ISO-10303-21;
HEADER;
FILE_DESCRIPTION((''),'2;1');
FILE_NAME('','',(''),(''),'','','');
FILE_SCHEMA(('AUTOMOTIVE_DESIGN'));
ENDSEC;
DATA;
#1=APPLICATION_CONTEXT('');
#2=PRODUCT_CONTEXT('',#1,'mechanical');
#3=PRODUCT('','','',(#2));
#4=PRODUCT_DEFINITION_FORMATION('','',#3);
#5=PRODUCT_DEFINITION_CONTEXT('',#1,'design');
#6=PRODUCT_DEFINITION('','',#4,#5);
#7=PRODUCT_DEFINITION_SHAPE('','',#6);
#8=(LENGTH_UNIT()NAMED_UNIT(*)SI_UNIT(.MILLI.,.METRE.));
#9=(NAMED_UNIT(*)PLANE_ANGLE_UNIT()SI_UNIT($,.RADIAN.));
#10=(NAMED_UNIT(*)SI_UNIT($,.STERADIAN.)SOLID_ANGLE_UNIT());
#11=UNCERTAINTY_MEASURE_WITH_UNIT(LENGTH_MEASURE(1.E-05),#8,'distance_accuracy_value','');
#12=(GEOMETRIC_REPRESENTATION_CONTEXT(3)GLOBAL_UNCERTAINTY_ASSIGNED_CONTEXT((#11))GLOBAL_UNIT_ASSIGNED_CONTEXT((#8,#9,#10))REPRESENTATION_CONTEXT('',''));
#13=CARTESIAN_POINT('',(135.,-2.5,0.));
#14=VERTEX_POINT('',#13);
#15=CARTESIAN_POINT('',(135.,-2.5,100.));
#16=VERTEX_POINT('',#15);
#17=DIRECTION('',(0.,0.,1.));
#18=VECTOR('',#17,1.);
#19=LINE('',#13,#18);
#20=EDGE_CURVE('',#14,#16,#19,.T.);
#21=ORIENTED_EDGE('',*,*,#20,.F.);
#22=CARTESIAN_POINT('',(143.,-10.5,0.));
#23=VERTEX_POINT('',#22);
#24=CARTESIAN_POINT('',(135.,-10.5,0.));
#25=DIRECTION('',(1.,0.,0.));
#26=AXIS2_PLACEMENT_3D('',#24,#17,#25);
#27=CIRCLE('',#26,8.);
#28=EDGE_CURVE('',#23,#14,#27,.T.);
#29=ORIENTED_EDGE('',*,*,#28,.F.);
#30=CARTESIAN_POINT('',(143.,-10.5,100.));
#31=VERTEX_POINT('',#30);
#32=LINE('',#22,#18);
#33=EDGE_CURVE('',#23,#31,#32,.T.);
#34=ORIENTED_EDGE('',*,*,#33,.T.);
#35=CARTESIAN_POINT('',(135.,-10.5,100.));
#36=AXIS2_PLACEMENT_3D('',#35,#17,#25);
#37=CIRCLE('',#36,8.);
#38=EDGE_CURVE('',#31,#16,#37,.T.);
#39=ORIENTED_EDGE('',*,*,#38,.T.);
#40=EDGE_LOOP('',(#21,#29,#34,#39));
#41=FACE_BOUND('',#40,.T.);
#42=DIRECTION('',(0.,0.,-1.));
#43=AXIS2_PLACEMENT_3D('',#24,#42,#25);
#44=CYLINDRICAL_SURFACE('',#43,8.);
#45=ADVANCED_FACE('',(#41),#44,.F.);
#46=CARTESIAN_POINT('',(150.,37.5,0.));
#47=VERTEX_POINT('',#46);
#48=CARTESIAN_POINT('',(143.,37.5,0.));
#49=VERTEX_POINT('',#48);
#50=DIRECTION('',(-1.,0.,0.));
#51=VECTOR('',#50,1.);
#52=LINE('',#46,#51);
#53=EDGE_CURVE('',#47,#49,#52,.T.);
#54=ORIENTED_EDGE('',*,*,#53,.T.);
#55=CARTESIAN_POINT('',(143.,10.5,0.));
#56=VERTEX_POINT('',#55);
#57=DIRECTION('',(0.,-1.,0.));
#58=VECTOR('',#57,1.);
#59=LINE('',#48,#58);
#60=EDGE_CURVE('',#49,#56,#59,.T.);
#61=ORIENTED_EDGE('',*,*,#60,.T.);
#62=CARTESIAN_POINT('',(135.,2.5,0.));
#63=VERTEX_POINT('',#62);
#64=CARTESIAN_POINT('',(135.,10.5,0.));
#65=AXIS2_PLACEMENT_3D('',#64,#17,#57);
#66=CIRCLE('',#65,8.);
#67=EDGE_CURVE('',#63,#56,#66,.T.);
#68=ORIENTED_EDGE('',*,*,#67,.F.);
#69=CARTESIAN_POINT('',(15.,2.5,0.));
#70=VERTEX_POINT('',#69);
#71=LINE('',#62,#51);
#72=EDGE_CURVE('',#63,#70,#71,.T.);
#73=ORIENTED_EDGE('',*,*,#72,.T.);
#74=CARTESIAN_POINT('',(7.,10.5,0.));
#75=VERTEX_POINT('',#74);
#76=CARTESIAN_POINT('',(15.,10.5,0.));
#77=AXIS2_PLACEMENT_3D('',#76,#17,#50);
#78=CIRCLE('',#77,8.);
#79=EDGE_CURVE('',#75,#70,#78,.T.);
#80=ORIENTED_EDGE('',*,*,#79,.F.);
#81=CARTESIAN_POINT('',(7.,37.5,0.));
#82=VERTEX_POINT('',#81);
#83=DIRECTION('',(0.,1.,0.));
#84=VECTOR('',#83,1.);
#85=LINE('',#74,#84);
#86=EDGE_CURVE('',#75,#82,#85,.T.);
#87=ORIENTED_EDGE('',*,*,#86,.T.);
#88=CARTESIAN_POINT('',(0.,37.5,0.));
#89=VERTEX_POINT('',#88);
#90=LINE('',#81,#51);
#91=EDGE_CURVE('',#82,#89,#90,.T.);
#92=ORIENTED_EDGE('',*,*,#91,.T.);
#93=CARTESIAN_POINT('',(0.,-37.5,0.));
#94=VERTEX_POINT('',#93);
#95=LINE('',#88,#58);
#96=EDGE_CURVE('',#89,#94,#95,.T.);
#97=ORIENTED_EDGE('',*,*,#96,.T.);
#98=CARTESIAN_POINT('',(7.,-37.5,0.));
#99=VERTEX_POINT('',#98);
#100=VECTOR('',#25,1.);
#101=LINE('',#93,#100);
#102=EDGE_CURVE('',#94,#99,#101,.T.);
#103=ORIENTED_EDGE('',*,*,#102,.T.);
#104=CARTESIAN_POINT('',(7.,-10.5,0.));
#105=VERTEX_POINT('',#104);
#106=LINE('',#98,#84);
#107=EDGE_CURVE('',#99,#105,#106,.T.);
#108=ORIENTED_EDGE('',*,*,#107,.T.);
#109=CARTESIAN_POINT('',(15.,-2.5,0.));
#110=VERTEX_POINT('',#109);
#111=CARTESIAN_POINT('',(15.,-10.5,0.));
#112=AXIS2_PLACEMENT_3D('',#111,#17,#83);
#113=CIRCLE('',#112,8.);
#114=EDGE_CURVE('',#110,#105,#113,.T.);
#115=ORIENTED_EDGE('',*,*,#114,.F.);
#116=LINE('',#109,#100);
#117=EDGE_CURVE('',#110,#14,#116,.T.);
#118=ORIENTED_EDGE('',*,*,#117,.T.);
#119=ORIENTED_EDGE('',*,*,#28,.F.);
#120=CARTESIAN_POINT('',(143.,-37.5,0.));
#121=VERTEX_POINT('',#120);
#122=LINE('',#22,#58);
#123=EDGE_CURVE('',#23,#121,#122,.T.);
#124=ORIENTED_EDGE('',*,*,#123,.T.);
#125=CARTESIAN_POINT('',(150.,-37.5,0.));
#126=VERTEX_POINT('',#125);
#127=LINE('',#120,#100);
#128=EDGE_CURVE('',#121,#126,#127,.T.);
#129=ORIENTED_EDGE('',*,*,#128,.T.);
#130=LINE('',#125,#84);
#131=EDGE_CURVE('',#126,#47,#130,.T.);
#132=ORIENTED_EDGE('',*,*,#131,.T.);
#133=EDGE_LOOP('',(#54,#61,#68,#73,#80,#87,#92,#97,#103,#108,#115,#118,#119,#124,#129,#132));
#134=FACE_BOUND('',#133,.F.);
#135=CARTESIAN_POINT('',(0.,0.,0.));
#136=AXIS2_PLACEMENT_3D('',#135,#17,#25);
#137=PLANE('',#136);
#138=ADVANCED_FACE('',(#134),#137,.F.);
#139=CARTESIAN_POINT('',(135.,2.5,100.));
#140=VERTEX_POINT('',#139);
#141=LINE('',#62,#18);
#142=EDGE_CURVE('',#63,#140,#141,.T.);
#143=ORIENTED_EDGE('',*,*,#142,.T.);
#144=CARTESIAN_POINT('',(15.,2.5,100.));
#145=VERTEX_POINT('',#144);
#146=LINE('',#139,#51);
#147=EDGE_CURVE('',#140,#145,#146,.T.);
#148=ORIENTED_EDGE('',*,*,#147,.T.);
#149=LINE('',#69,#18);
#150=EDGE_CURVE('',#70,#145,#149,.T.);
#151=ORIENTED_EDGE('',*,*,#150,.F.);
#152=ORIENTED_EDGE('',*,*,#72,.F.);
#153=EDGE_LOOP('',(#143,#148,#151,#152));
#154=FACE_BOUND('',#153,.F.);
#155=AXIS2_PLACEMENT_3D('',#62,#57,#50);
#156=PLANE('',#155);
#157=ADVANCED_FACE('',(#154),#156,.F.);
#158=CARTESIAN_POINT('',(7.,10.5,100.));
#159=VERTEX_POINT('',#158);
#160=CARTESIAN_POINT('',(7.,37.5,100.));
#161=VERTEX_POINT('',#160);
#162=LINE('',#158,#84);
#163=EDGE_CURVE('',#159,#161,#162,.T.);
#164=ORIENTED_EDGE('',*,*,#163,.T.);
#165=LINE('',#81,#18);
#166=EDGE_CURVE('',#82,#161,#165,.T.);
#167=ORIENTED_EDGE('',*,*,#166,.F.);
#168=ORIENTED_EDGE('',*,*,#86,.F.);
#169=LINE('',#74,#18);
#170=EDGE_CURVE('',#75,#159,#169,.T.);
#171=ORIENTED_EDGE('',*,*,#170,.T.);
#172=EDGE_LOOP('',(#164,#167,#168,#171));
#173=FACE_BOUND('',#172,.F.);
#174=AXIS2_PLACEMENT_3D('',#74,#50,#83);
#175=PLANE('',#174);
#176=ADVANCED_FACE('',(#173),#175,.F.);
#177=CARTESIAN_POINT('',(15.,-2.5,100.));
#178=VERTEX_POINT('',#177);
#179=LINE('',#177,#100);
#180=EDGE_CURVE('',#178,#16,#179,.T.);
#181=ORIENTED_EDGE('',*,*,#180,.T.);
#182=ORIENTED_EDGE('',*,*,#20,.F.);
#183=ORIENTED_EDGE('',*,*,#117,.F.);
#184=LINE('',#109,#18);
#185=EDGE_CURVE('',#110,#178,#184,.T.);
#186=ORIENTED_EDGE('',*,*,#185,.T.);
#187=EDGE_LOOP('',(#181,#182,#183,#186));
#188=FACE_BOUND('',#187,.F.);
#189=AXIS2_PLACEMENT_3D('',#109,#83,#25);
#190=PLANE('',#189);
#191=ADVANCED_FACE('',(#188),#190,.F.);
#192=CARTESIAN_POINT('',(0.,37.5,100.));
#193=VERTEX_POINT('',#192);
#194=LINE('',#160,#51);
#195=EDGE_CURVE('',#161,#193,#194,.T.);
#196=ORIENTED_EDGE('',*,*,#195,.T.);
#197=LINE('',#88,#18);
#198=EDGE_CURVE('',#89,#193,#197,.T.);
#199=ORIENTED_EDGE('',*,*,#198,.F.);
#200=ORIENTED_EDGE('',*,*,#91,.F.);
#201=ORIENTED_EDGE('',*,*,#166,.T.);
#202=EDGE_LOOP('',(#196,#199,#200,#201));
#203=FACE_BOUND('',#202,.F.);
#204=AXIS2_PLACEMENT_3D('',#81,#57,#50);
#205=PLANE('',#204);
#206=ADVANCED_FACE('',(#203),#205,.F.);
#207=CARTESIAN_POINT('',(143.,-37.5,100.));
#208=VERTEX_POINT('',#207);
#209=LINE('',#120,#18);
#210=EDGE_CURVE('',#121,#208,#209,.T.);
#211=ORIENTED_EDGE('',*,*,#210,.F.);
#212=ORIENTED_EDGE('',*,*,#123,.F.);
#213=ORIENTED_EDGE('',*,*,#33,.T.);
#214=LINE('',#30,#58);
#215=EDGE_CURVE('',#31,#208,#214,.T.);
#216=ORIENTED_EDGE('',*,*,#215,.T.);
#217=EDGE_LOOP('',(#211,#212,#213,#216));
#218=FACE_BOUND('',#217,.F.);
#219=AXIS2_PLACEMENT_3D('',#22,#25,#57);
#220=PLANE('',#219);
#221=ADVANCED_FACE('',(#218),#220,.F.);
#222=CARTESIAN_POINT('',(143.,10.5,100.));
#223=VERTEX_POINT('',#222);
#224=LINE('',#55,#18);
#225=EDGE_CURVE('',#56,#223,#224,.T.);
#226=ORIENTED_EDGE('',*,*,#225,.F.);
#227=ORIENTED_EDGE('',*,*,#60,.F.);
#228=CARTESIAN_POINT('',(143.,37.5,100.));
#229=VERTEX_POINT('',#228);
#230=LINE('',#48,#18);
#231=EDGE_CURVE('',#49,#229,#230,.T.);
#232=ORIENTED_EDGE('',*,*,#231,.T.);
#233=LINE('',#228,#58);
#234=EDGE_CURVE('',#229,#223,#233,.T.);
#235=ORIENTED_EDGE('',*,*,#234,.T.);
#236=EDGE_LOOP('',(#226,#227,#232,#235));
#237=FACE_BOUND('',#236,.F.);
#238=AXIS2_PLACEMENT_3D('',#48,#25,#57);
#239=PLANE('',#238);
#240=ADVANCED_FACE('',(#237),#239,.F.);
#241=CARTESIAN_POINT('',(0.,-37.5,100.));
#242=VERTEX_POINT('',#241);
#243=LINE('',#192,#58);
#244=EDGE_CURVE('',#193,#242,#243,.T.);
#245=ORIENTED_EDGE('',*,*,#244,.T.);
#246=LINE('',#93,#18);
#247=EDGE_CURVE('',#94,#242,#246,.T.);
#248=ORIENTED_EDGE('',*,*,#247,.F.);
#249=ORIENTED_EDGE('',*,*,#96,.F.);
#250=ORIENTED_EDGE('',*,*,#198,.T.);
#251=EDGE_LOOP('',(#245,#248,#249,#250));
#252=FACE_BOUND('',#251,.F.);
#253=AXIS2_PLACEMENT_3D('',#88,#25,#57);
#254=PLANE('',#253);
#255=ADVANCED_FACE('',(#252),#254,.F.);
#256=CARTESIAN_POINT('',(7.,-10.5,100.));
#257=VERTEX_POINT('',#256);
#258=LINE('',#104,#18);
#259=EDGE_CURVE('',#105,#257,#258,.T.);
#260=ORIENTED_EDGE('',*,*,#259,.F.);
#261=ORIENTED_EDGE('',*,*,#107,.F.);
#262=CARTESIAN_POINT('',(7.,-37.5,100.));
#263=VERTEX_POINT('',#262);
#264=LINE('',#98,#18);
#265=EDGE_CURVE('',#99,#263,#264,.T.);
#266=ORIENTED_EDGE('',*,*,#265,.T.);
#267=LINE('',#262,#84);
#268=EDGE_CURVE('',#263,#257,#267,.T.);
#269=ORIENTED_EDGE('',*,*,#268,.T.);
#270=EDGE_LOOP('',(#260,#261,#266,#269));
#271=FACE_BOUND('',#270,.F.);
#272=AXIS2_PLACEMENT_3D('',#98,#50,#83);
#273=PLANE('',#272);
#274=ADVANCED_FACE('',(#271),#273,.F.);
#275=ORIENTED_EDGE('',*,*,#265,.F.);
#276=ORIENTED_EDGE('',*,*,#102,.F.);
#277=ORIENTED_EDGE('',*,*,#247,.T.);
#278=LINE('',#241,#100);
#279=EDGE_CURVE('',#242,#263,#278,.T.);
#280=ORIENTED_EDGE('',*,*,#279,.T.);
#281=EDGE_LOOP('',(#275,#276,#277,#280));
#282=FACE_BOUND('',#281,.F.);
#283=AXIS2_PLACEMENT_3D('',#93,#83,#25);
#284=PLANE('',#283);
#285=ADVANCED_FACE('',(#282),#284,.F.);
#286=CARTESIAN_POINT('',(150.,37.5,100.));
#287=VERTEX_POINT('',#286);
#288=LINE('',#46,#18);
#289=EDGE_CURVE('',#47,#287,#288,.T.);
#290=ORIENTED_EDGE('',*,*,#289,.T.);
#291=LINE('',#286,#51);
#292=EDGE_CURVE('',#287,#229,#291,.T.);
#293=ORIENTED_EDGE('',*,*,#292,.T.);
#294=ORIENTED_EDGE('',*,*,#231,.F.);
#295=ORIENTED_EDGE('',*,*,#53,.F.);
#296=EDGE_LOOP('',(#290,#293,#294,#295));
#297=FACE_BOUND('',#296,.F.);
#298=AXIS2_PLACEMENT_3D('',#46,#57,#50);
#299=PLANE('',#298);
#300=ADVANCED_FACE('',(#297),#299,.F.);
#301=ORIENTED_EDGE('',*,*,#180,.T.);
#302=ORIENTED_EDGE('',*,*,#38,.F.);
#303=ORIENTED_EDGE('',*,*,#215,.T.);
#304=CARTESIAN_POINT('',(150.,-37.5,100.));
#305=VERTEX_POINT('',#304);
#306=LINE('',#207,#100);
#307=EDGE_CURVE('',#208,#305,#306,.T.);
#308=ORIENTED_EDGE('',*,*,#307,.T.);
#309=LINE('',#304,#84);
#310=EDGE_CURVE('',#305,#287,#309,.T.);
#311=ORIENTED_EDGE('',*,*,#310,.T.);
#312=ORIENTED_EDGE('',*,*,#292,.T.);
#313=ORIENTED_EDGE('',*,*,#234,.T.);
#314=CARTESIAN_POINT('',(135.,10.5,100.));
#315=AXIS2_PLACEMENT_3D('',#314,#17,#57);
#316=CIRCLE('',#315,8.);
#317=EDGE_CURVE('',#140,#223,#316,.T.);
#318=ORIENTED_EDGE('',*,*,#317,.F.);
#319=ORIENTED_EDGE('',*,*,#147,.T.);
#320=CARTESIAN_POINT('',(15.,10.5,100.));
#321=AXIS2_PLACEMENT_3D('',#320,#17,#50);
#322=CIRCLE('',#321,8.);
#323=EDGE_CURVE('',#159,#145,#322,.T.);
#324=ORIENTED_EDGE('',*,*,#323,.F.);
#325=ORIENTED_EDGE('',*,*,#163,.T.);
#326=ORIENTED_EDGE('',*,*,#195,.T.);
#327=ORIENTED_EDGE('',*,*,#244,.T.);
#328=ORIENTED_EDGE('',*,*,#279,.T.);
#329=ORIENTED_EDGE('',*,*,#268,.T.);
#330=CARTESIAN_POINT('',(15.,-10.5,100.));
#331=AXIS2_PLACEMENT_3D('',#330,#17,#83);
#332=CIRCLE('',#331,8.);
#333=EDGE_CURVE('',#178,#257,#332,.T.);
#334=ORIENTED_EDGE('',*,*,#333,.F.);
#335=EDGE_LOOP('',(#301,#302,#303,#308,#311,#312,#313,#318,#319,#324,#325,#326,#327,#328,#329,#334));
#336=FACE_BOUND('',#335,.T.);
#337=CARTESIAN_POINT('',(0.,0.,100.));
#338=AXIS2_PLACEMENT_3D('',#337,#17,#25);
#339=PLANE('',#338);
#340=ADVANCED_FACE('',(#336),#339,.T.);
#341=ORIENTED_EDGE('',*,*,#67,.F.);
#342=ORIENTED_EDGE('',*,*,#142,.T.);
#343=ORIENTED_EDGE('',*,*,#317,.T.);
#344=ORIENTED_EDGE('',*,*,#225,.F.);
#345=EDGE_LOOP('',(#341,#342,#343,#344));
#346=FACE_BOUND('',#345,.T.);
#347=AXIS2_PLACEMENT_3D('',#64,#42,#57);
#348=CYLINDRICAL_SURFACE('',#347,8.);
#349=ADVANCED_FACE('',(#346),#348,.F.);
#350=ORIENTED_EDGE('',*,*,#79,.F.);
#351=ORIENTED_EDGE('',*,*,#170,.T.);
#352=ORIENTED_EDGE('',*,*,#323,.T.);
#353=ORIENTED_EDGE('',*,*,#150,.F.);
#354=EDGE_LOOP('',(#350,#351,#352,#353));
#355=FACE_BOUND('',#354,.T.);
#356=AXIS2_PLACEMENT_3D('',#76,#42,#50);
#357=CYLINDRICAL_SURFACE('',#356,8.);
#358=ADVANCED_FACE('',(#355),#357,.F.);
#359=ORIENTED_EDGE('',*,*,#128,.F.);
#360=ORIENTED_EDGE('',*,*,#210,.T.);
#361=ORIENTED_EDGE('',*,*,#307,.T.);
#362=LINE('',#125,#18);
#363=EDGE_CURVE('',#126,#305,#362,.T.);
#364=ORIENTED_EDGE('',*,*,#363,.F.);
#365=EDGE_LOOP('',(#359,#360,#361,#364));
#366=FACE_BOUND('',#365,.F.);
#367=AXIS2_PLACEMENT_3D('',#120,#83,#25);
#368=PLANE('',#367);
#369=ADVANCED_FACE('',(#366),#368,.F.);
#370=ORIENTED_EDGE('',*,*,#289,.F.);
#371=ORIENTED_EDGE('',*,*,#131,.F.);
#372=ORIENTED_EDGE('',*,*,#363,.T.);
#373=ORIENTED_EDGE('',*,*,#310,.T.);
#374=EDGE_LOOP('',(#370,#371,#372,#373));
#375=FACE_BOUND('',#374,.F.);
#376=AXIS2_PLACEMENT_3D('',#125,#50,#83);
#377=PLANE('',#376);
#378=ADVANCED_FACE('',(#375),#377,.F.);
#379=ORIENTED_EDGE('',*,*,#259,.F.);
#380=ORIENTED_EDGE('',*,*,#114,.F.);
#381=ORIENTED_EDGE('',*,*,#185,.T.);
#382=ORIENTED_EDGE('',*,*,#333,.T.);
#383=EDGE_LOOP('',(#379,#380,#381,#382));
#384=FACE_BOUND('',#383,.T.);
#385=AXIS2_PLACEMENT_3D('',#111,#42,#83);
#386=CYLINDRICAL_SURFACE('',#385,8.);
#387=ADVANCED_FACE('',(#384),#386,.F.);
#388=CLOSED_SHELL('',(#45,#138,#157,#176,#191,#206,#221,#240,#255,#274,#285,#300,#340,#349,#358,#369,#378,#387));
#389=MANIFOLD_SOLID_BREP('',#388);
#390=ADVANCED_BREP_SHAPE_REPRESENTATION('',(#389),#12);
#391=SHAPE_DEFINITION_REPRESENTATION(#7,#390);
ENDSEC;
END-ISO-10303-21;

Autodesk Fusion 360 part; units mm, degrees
sketch "スケッチ1" plane through (0, 0, 0) normal (0, 0, 1) x (1, 0, 0)
  line L0 (0, 37.5) -> (0, -37.5)
  line L1 (150, -37.5) -> (150, 37.5)
  line L2 (143, -10.5) -> (143, -37.5)
  line L3 (7, -37.5) -> (7, -10.5)
  line L4 (0, -37.5) -> (7, -37.5)
  line L5 (143, -37.5) -> (150, -37.5)
  line L6 (135, 2.5) -> (15, 2.5)
  line L7 (15, -2.5) -> (135, -2.5)
  arc A0 (7, 10.5) -> (15, 2.5) centre (15, 10.5) ccw
  arc A1 (15, -2.5) -> (7, -10.5) centre (15, -10.5) ccw
  line L8 (7, 37.5) -> (0, 37.5)
  line L9 (7, 10.5) -> (7, 37.5)
  arc A2 (135, 2.5) -> (143, 10.5) centre (135, 10.5) ccw
  arc A3 (143, -10.5) -> (135, -2.5) centre (135, -10.5) ccw
  line L10 (143, 37.5) -> (143, 10.5)
  line L11 (150, 37.5) -> (143, 37.5)
extrude "押し出し1" add sketch "スケッチ1" along normal blind 100
